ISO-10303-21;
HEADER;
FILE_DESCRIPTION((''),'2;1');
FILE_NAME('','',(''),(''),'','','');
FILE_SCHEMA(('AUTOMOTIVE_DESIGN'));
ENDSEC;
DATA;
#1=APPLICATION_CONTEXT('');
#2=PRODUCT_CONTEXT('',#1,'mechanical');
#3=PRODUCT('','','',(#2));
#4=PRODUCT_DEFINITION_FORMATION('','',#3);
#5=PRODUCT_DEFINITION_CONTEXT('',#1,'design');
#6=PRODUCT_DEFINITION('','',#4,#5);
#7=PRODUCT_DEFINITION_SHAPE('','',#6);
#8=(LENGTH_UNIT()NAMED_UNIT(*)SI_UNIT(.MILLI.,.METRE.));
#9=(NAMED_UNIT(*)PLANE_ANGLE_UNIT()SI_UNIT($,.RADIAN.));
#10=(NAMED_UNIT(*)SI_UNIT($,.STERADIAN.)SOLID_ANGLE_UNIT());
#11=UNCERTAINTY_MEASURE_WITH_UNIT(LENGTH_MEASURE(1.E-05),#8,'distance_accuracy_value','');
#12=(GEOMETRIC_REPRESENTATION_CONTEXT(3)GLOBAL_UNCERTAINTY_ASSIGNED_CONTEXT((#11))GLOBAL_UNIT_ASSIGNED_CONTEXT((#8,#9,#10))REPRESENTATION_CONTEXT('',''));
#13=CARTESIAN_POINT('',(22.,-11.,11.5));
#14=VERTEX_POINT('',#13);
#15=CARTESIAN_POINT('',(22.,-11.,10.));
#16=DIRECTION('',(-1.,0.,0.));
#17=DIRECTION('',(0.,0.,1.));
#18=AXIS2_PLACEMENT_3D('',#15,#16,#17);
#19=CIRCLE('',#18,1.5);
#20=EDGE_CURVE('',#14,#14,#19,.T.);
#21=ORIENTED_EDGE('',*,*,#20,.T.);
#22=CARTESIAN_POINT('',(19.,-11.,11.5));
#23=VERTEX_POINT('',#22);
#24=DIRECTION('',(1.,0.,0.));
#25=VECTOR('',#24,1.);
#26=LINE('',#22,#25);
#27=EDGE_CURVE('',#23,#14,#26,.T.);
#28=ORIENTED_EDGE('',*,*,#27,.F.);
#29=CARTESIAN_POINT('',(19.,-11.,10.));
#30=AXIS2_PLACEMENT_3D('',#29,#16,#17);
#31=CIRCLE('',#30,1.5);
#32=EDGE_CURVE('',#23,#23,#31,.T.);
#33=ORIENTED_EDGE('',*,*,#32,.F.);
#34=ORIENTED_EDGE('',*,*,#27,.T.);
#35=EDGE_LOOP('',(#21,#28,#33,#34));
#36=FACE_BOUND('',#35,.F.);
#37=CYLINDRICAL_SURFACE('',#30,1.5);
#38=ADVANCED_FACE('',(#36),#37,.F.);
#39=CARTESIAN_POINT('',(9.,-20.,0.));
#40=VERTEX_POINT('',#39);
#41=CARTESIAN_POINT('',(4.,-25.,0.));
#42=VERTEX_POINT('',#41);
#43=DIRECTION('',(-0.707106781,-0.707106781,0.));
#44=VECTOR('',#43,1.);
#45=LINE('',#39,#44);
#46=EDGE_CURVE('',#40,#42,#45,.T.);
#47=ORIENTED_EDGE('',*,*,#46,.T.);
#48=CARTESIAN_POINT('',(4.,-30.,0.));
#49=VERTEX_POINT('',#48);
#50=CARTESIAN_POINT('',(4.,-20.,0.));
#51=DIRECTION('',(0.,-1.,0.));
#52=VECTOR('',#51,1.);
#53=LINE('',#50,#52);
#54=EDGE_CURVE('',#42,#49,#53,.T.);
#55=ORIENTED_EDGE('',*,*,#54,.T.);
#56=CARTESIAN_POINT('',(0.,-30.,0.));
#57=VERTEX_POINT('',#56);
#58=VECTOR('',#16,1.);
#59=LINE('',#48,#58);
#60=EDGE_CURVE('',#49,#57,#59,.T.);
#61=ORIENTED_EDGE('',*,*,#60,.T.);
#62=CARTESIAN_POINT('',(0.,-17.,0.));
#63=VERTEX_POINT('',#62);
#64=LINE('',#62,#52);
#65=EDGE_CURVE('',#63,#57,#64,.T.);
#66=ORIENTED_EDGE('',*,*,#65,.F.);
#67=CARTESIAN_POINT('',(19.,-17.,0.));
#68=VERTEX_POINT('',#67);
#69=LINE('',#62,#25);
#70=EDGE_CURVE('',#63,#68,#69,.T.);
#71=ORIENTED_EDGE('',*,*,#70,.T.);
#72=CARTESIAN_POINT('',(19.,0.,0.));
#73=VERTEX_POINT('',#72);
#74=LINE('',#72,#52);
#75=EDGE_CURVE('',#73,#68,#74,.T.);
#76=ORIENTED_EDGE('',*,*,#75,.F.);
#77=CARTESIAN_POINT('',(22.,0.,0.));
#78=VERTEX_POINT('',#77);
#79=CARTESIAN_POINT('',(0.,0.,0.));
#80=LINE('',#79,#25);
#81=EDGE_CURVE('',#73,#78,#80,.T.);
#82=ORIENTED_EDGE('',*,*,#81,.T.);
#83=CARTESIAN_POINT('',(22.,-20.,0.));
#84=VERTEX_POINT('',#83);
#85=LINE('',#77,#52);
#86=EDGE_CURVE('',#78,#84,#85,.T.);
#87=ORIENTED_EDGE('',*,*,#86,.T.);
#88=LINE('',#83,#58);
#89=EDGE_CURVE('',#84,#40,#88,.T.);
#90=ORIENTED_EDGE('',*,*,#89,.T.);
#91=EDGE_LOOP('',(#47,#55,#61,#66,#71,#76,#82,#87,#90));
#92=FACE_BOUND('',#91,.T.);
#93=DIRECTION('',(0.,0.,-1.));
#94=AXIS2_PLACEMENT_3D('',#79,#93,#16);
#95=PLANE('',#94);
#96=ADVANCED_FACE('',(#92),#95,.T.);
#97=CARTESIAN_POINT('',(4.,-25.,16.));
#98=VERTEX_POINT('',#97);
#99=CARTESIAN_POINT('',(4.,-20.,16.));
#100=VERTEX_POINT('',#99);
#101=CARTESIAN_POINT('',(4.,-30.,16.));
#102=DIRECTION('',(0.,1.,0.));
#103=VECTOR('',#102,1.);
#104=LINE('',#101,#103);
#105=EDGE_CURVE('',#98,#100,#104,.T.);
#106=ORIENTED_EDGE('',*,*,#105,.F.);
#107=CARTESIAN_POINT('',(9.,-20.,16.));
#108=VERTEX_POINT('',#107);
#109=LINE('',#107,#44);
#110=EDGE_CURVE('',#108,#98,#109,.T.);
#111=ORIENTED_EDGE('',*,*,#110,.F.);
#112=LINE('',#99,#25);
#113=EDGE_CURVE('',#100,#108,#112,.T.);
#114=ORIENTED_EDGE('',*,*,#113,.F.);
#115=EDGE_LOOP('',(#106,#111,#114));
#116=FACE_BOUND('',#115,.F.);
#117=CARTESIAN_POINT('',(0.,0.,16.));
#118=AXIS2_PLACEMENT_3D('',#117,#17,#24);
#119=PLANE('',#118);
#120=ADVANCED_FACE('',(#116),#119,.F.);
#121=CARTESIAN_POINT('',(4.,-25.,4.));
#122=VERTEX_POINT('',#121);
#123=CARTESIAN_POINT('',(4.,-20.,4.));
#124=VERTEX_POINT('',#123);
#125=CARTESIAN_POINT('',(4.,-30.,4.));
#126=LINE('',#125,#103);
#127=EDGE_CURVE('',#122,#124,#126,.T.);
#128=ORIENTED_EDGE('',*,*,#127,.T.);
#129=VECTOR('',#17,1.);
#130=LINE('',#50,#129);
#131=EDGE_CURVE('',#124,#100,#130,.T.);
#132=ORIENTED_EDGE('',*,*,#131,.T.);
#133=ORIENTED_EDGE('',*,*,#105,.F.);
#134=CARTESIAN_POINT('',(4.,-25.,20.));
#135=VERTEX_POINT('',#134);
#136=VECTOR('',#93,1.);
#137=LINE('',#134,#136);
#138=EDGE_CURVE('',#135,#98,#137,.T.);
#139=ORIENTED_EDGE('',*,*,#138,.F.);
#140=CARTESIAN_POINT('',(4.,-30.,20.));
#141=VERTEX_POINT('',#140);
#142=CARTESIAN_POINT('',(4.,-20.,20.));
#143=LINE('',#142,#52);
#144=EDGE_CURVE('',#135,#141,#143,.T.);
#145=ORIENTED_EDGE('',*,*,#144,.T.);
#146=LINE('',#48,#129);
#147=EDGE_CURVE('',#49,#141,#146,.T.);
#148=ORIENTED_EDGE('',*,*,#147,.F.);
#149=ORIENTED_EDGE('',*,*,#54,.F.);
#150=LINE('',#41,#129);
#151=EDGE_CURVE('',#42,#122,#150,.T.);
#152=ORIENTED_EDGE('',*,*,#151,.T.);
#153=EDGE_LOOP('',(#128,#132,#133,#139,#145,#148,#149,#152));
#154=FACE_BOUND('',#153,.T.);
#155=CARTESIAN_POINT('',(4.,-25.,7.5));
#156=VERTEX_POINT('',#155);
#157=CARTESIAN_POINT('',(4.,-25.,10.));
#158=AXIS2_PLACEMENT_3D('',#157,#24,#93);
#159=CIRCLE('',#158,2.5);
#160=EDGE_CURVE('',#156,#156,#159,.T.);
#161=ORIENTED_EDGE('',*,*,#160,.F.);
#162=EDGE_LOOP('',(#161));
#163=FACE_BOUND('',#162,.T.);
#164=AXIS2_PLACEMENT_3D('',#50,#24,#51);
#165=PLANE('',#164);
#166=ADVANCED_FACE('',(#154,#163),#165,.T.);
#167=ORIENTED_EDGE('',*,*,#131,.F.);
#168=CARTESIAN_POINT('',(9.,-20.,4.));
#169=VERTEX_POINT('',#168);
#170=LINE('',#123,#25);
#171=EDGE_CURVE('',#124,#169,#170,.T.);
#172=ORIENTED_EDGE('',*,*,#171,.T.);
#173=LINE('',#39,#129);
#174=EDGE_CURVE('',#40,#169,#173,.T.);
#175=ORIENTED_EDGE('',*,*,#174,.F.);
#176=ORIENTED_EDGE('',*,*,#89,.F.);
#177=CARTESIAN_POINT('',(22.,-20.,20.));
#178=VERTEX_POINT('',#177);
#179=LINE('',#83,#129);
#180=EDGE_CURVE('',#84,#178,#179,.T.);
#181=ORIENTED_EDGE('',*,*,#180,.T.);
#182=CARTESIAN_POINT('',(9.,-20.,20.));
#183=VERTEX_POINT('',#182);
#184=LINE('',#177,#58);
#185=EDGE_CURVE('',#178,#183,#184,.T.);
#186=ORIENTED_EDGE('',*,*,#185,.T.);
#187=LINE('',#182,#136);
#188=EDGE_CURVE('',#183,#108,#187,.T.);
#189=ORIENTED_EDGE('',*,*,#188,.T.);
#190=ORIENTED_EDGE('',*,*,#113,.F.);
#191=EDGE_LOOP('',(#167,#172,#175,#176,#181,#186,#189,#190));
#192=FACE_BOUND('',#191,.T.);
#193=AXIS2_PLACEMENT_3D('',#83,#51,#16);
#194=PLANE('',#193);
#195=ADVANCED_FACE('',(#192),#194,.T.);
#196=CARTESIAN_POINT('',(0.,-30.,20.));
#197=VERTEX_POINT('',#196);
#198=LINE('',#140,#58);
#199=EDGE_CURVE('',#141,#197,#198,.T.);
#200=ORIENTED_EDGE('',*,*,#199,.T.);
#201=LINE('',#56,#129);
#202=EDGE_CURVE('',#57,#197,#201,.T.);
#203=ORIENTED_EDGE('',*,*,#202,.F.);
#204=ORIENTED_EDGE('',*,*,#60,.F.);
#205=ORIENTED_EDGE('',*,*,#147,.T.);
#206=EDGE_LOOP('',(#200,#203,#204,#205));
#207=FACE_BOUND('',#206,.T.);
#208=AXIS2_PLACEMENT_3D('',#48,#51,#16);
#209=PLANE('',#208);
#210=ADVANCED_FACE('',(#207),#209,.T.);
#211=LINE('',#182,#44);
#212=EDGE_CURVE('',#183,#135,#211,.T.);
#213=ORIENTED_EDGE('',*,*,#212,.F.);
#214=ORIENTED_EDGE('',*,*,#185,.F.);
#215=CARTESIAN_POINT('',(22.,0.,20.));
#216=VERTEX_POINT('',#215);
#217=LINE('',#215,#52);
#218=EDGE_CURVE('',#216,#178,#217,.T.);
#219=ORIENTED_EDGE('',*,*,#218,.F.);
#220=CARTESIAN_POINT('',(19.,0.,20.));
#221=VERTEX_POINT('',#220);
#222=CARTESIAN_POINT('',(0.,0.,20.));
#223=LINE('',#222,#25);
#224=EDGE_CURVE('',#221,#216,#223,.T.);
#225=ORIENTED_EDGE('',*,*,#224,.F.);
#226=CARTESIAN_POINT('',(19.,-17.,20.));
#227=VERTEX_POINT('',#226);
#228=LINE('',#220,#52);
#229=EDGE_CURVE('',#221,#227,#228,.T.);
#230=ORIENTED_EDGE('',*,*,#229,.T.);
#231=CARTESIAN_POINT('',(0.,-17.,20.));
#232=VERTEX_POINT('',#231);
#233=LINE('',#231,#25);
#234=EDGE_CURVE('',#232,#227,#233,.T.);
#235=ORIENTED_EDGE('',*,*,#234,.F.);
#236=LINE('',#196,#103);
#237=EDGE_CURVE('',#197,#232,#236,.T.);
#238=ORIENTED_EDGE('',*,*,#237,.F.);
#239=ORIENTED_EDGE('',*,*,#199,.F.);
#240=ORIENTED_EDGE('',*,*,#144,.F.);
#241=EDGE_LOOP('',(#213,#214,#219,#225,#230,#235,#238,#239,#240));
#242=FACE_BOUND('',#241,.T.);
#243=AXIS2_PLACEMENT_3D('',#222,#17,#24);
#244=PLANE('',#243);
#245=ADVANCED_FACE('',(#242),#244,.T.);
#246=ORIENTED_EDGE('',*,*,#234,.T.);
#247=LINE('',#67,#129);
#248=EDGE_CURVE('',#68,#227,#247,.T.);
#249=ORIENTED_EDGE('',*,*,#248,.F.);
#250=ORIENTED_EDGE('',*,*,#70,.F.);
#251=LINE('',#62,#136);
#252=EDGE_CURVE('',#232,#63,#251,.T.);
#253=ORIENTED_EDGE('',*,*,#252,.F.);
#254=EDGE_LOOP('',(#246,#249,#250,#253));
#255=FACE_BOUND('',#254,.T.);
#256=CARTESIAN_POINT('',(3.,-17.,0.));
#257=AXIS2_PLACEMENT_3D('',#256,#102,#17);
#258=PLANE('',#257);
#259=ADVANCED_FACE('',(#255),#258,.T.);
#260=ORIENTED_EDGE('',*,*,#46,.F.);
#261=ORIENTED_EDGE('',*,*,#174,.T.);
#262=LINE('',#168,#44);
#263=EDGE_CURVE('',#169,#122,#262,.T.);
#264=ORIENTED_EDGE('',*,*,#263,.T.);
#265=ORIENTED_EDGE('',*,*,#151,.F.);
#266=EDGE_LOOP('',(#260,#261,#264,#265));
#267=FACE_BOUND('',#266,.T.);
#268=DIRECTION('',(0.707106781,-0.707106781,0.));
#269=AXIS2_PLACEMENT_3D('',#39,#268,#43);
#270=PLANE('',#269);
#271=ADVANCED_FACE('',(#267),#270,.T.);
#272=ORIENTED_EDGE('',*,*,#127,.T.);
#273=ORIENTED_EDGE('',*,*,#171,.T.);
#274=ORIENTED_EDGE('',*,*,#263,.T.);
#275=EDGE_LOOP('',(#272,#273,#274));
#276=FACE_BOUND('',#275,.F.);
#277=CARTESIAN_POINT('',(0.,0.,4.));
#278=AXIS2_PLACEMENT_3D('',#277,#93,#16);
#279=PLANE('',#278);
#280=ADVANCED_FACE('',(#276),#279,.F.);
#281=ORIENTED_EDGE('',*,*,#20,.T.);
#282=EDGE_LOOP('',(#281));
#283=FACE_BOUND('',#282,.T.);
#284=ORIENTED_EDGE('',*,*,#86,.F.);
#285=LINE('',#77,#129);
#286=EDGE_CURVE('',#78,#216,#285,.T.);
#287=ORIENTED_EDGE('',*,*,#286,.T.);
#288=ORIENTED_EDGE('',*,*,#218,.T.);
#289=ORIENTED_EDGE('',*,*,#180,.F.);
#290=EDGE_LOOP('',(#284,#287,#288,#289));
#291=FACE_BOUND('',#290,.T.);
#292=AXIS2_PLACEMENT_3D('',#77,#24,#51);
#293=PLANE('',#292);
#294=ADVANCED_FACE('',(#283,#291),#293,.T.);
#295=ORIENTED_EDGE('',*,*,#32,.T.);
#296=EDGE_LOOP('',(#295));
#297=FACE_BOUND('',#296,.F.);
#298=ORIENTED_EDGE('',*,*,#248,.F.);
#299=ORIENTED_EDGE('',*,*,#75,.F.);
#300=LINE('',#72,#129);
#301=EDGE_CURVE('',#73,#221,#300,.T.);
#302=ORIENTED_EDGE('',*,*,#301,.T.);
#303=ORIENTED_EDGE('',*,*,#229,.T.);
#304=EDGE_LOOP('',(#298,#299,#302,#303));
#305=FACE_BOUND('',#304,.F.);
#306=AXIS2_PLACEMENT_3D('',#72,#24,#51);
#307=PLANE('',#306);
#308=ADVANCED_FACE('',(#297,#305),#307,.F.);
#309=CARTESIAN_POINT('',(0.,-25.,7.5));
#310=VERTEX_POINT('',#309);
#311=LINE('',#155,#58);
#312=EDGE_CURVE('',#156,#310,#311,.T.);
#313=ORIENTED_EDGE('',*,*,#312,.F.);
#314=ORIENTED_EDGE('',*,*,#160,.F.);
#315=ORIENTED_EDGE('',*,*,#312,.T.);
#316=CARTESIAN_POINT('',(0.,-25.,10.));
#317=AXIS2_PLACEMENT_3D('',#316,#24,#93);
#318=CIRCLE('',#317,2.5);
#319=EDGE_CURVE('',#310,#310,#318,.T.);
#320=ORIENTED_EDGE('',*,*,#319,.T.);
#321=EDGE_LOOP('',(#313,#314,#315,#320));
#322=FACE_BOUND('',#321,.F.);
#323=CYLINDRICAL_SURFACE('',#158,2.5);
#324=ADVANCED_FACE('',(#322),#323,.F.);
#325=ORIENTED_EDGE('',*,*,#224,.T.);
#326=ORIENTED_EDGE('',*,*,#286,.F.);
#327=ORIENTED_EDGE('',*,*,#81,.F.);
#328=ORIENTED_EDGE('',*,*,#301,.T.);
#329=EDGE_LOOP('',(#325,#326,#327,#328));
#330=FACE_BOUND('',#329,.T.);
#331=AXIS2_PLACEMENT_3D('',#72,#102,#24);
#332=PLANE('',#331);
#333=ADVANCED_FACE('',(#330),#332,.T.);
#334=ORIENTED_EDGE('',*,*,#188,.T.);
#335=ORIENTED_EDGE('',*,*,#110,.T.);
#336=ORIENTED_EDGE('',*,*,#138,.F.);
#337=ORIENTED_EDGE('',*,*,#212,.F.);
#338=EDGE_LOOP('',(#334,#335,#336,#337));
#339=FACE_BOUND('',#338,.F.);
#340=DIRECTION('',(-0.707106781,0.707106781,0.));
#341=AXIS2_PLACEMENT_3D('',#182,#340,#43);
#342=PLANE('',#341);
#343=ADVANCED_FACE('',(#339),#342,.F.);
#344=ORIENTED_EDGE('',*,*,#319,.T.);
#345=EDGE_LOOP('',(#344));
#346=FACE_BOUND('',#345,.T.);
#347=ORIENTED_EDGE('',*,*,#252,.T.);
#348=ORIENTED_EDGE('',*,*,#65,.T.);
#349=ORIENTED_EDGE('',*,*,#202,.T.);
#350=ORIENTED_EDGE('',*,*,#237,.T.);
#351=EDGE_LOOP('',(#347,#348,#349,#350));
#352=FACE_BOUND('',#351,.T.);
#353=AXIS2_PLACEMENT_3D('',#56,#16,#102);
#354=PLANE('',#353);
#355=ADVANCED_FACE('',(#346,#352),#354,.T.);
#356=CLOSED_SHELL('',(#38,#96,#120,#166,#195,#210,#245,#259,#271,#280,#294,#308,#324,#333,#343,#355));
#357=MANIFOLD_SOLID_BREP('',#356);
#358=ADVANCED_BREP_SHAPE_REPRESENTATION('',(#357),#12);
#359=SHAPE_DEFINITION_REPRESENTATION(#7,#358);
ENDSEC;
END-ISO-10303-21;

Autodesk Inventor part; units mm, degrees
ref_plane "YZ Plane" through (0, 0, 0) normal (1, 0, 0) x (0, 1, 0)
ref_plane "XZ Plane" through (0, 0, 0) normal (0, 1, 0) x (-1, 0, 0)
ref_plane "XY Plane" through (0, 0, 0) normal (0, 0, 1) x (1, 0, 0)
sketch "Sketch1" plane through (0, 0, 0) normal (0, 0, 1) x (1, 0, 0)
  line L0 (0, 0) -> (22, 0)
  line L1 (22, 0) -> (22, -20)
  line L2 (22, -20) -> (0, -20)
  line L3 (0, -20) -> (0, 0)
  line L4 (3, 0) -> (19, 0)
  line L5 (19, 0) -> (19, -17)
  line L6 (19, -17) -> (3, -17)
  line L7 (3, -17) -> (3, 0)
  dimension "d0" = 22
  dimension "d1" = 20
  dimension "d2" = 3
  dimension "d3" = 3
  dimension "d4" = 3
extrude "Extrusion1" add sketch "Sketch1" along normal blind 20 contours L0 L7 L6 L5 L1 L2 L3
sketch "Sketch4" plane through (3, -17, 0) normal (1, 0, 0) x (0, 0, -1)
  line L0 (-20, 0) -> (-20, 17) projected
  line L1 (0, 0) -> (-20, 0)
  line L2 (-20, 0) -> (-20, 17)
  line L3 (-20, 17) -> (0, 17)
  line L4 (0, 17) -> (0, 0)
  point P0 (0, 17)
extrude "Extrusion4" cut sketch "Sketch4" against normal through all
sketch "Sketch5" plane through (0, 0, 0) normal (0, 0, -1) x (-1, 0, 0)
  line L0 (0, -20) -> (-22, -20) projected
  line L1 (0, -20) -> (-4, -20)
  line L2 (-4, -20) -> (-4, -30)
  line L3 (-4, -30) -> (0, -30)
  line L4 (0, -30) -> (0, -20)
  point P0 (0, 0)
  dimension "d17" = 4
  dimension "d18" = 10
extrude "Extrusion5" add sketch "Sketch5" against normal blind 20
sketch "Sketch6" plane through (4, -30, 0) normal (1, 0, 0) x (0, 0, -1)
  line L0 (0, 10) -> (-20, 10) projected
  line L1 (0, 10) -> (0, 0) projected
  circle A0 centre (-10, 5) radius 2.5
  point P0 (0, 30)
  dimension "d21" = 5
  dimension "d22" = 10
  dimension "d23" = 5
extrude "Extrusion6" cut sketch "Sketch6" against normal through all
sketch "Sketch7" plane through (0, 0, 0) normal (0, 0, -1) x (-1, 0, 0)
  line L0 (-4, -20) -> (-22, -20) projected
  line L1 (-4, -30) -> (-4, -20) projected
  line L2 (-9, -20) -> (-4, -25)
  point P0 (0, 0)
  dimension "d26" = 5
  dimension "d27" = 5
extrude "Extrusion7" add sketch "Sketch7" against normal blind 4
sketch "Sketch8" plane through (0, 0, 20) normal (0, 0, 1) x (1, 0, 0)
  line L0 (4, -20) -> (22, -20) projected
  line L1 (4, -30) -> (4, -20) projected
  line L2 (9, -20) -> (4, -25)
  point P0 (0, 0)
  dimension "d30" = 5
  dimension "d31" = 5
extrude "Extrusion8" add sketch "Sketch8" against normal blind 4
sketch "Sketch9" plane through (19, -17, 0) normal (-1, 0, 0) x (0, 0, 1)
  line L0 (0, 17) -> (0, 0) projected
  line L1 (0, 0) -> (20, 0) projected
  circle A0 centre (10, 6) radius 1.5
  dimension "d34" = 10
  dimension "d35" = 6
  dimension "d36" = 3
extrude "Extrusion9" cut sketch "Sketch9" against normal through all
equation "\"d3\" = d2"
equation "\"d4\" = d2"
equation "\"d27\" = d26"
equation "\"d30\" = d26"
equation "\"d31\" = d30"
properties part number "LED strip mount v04"
